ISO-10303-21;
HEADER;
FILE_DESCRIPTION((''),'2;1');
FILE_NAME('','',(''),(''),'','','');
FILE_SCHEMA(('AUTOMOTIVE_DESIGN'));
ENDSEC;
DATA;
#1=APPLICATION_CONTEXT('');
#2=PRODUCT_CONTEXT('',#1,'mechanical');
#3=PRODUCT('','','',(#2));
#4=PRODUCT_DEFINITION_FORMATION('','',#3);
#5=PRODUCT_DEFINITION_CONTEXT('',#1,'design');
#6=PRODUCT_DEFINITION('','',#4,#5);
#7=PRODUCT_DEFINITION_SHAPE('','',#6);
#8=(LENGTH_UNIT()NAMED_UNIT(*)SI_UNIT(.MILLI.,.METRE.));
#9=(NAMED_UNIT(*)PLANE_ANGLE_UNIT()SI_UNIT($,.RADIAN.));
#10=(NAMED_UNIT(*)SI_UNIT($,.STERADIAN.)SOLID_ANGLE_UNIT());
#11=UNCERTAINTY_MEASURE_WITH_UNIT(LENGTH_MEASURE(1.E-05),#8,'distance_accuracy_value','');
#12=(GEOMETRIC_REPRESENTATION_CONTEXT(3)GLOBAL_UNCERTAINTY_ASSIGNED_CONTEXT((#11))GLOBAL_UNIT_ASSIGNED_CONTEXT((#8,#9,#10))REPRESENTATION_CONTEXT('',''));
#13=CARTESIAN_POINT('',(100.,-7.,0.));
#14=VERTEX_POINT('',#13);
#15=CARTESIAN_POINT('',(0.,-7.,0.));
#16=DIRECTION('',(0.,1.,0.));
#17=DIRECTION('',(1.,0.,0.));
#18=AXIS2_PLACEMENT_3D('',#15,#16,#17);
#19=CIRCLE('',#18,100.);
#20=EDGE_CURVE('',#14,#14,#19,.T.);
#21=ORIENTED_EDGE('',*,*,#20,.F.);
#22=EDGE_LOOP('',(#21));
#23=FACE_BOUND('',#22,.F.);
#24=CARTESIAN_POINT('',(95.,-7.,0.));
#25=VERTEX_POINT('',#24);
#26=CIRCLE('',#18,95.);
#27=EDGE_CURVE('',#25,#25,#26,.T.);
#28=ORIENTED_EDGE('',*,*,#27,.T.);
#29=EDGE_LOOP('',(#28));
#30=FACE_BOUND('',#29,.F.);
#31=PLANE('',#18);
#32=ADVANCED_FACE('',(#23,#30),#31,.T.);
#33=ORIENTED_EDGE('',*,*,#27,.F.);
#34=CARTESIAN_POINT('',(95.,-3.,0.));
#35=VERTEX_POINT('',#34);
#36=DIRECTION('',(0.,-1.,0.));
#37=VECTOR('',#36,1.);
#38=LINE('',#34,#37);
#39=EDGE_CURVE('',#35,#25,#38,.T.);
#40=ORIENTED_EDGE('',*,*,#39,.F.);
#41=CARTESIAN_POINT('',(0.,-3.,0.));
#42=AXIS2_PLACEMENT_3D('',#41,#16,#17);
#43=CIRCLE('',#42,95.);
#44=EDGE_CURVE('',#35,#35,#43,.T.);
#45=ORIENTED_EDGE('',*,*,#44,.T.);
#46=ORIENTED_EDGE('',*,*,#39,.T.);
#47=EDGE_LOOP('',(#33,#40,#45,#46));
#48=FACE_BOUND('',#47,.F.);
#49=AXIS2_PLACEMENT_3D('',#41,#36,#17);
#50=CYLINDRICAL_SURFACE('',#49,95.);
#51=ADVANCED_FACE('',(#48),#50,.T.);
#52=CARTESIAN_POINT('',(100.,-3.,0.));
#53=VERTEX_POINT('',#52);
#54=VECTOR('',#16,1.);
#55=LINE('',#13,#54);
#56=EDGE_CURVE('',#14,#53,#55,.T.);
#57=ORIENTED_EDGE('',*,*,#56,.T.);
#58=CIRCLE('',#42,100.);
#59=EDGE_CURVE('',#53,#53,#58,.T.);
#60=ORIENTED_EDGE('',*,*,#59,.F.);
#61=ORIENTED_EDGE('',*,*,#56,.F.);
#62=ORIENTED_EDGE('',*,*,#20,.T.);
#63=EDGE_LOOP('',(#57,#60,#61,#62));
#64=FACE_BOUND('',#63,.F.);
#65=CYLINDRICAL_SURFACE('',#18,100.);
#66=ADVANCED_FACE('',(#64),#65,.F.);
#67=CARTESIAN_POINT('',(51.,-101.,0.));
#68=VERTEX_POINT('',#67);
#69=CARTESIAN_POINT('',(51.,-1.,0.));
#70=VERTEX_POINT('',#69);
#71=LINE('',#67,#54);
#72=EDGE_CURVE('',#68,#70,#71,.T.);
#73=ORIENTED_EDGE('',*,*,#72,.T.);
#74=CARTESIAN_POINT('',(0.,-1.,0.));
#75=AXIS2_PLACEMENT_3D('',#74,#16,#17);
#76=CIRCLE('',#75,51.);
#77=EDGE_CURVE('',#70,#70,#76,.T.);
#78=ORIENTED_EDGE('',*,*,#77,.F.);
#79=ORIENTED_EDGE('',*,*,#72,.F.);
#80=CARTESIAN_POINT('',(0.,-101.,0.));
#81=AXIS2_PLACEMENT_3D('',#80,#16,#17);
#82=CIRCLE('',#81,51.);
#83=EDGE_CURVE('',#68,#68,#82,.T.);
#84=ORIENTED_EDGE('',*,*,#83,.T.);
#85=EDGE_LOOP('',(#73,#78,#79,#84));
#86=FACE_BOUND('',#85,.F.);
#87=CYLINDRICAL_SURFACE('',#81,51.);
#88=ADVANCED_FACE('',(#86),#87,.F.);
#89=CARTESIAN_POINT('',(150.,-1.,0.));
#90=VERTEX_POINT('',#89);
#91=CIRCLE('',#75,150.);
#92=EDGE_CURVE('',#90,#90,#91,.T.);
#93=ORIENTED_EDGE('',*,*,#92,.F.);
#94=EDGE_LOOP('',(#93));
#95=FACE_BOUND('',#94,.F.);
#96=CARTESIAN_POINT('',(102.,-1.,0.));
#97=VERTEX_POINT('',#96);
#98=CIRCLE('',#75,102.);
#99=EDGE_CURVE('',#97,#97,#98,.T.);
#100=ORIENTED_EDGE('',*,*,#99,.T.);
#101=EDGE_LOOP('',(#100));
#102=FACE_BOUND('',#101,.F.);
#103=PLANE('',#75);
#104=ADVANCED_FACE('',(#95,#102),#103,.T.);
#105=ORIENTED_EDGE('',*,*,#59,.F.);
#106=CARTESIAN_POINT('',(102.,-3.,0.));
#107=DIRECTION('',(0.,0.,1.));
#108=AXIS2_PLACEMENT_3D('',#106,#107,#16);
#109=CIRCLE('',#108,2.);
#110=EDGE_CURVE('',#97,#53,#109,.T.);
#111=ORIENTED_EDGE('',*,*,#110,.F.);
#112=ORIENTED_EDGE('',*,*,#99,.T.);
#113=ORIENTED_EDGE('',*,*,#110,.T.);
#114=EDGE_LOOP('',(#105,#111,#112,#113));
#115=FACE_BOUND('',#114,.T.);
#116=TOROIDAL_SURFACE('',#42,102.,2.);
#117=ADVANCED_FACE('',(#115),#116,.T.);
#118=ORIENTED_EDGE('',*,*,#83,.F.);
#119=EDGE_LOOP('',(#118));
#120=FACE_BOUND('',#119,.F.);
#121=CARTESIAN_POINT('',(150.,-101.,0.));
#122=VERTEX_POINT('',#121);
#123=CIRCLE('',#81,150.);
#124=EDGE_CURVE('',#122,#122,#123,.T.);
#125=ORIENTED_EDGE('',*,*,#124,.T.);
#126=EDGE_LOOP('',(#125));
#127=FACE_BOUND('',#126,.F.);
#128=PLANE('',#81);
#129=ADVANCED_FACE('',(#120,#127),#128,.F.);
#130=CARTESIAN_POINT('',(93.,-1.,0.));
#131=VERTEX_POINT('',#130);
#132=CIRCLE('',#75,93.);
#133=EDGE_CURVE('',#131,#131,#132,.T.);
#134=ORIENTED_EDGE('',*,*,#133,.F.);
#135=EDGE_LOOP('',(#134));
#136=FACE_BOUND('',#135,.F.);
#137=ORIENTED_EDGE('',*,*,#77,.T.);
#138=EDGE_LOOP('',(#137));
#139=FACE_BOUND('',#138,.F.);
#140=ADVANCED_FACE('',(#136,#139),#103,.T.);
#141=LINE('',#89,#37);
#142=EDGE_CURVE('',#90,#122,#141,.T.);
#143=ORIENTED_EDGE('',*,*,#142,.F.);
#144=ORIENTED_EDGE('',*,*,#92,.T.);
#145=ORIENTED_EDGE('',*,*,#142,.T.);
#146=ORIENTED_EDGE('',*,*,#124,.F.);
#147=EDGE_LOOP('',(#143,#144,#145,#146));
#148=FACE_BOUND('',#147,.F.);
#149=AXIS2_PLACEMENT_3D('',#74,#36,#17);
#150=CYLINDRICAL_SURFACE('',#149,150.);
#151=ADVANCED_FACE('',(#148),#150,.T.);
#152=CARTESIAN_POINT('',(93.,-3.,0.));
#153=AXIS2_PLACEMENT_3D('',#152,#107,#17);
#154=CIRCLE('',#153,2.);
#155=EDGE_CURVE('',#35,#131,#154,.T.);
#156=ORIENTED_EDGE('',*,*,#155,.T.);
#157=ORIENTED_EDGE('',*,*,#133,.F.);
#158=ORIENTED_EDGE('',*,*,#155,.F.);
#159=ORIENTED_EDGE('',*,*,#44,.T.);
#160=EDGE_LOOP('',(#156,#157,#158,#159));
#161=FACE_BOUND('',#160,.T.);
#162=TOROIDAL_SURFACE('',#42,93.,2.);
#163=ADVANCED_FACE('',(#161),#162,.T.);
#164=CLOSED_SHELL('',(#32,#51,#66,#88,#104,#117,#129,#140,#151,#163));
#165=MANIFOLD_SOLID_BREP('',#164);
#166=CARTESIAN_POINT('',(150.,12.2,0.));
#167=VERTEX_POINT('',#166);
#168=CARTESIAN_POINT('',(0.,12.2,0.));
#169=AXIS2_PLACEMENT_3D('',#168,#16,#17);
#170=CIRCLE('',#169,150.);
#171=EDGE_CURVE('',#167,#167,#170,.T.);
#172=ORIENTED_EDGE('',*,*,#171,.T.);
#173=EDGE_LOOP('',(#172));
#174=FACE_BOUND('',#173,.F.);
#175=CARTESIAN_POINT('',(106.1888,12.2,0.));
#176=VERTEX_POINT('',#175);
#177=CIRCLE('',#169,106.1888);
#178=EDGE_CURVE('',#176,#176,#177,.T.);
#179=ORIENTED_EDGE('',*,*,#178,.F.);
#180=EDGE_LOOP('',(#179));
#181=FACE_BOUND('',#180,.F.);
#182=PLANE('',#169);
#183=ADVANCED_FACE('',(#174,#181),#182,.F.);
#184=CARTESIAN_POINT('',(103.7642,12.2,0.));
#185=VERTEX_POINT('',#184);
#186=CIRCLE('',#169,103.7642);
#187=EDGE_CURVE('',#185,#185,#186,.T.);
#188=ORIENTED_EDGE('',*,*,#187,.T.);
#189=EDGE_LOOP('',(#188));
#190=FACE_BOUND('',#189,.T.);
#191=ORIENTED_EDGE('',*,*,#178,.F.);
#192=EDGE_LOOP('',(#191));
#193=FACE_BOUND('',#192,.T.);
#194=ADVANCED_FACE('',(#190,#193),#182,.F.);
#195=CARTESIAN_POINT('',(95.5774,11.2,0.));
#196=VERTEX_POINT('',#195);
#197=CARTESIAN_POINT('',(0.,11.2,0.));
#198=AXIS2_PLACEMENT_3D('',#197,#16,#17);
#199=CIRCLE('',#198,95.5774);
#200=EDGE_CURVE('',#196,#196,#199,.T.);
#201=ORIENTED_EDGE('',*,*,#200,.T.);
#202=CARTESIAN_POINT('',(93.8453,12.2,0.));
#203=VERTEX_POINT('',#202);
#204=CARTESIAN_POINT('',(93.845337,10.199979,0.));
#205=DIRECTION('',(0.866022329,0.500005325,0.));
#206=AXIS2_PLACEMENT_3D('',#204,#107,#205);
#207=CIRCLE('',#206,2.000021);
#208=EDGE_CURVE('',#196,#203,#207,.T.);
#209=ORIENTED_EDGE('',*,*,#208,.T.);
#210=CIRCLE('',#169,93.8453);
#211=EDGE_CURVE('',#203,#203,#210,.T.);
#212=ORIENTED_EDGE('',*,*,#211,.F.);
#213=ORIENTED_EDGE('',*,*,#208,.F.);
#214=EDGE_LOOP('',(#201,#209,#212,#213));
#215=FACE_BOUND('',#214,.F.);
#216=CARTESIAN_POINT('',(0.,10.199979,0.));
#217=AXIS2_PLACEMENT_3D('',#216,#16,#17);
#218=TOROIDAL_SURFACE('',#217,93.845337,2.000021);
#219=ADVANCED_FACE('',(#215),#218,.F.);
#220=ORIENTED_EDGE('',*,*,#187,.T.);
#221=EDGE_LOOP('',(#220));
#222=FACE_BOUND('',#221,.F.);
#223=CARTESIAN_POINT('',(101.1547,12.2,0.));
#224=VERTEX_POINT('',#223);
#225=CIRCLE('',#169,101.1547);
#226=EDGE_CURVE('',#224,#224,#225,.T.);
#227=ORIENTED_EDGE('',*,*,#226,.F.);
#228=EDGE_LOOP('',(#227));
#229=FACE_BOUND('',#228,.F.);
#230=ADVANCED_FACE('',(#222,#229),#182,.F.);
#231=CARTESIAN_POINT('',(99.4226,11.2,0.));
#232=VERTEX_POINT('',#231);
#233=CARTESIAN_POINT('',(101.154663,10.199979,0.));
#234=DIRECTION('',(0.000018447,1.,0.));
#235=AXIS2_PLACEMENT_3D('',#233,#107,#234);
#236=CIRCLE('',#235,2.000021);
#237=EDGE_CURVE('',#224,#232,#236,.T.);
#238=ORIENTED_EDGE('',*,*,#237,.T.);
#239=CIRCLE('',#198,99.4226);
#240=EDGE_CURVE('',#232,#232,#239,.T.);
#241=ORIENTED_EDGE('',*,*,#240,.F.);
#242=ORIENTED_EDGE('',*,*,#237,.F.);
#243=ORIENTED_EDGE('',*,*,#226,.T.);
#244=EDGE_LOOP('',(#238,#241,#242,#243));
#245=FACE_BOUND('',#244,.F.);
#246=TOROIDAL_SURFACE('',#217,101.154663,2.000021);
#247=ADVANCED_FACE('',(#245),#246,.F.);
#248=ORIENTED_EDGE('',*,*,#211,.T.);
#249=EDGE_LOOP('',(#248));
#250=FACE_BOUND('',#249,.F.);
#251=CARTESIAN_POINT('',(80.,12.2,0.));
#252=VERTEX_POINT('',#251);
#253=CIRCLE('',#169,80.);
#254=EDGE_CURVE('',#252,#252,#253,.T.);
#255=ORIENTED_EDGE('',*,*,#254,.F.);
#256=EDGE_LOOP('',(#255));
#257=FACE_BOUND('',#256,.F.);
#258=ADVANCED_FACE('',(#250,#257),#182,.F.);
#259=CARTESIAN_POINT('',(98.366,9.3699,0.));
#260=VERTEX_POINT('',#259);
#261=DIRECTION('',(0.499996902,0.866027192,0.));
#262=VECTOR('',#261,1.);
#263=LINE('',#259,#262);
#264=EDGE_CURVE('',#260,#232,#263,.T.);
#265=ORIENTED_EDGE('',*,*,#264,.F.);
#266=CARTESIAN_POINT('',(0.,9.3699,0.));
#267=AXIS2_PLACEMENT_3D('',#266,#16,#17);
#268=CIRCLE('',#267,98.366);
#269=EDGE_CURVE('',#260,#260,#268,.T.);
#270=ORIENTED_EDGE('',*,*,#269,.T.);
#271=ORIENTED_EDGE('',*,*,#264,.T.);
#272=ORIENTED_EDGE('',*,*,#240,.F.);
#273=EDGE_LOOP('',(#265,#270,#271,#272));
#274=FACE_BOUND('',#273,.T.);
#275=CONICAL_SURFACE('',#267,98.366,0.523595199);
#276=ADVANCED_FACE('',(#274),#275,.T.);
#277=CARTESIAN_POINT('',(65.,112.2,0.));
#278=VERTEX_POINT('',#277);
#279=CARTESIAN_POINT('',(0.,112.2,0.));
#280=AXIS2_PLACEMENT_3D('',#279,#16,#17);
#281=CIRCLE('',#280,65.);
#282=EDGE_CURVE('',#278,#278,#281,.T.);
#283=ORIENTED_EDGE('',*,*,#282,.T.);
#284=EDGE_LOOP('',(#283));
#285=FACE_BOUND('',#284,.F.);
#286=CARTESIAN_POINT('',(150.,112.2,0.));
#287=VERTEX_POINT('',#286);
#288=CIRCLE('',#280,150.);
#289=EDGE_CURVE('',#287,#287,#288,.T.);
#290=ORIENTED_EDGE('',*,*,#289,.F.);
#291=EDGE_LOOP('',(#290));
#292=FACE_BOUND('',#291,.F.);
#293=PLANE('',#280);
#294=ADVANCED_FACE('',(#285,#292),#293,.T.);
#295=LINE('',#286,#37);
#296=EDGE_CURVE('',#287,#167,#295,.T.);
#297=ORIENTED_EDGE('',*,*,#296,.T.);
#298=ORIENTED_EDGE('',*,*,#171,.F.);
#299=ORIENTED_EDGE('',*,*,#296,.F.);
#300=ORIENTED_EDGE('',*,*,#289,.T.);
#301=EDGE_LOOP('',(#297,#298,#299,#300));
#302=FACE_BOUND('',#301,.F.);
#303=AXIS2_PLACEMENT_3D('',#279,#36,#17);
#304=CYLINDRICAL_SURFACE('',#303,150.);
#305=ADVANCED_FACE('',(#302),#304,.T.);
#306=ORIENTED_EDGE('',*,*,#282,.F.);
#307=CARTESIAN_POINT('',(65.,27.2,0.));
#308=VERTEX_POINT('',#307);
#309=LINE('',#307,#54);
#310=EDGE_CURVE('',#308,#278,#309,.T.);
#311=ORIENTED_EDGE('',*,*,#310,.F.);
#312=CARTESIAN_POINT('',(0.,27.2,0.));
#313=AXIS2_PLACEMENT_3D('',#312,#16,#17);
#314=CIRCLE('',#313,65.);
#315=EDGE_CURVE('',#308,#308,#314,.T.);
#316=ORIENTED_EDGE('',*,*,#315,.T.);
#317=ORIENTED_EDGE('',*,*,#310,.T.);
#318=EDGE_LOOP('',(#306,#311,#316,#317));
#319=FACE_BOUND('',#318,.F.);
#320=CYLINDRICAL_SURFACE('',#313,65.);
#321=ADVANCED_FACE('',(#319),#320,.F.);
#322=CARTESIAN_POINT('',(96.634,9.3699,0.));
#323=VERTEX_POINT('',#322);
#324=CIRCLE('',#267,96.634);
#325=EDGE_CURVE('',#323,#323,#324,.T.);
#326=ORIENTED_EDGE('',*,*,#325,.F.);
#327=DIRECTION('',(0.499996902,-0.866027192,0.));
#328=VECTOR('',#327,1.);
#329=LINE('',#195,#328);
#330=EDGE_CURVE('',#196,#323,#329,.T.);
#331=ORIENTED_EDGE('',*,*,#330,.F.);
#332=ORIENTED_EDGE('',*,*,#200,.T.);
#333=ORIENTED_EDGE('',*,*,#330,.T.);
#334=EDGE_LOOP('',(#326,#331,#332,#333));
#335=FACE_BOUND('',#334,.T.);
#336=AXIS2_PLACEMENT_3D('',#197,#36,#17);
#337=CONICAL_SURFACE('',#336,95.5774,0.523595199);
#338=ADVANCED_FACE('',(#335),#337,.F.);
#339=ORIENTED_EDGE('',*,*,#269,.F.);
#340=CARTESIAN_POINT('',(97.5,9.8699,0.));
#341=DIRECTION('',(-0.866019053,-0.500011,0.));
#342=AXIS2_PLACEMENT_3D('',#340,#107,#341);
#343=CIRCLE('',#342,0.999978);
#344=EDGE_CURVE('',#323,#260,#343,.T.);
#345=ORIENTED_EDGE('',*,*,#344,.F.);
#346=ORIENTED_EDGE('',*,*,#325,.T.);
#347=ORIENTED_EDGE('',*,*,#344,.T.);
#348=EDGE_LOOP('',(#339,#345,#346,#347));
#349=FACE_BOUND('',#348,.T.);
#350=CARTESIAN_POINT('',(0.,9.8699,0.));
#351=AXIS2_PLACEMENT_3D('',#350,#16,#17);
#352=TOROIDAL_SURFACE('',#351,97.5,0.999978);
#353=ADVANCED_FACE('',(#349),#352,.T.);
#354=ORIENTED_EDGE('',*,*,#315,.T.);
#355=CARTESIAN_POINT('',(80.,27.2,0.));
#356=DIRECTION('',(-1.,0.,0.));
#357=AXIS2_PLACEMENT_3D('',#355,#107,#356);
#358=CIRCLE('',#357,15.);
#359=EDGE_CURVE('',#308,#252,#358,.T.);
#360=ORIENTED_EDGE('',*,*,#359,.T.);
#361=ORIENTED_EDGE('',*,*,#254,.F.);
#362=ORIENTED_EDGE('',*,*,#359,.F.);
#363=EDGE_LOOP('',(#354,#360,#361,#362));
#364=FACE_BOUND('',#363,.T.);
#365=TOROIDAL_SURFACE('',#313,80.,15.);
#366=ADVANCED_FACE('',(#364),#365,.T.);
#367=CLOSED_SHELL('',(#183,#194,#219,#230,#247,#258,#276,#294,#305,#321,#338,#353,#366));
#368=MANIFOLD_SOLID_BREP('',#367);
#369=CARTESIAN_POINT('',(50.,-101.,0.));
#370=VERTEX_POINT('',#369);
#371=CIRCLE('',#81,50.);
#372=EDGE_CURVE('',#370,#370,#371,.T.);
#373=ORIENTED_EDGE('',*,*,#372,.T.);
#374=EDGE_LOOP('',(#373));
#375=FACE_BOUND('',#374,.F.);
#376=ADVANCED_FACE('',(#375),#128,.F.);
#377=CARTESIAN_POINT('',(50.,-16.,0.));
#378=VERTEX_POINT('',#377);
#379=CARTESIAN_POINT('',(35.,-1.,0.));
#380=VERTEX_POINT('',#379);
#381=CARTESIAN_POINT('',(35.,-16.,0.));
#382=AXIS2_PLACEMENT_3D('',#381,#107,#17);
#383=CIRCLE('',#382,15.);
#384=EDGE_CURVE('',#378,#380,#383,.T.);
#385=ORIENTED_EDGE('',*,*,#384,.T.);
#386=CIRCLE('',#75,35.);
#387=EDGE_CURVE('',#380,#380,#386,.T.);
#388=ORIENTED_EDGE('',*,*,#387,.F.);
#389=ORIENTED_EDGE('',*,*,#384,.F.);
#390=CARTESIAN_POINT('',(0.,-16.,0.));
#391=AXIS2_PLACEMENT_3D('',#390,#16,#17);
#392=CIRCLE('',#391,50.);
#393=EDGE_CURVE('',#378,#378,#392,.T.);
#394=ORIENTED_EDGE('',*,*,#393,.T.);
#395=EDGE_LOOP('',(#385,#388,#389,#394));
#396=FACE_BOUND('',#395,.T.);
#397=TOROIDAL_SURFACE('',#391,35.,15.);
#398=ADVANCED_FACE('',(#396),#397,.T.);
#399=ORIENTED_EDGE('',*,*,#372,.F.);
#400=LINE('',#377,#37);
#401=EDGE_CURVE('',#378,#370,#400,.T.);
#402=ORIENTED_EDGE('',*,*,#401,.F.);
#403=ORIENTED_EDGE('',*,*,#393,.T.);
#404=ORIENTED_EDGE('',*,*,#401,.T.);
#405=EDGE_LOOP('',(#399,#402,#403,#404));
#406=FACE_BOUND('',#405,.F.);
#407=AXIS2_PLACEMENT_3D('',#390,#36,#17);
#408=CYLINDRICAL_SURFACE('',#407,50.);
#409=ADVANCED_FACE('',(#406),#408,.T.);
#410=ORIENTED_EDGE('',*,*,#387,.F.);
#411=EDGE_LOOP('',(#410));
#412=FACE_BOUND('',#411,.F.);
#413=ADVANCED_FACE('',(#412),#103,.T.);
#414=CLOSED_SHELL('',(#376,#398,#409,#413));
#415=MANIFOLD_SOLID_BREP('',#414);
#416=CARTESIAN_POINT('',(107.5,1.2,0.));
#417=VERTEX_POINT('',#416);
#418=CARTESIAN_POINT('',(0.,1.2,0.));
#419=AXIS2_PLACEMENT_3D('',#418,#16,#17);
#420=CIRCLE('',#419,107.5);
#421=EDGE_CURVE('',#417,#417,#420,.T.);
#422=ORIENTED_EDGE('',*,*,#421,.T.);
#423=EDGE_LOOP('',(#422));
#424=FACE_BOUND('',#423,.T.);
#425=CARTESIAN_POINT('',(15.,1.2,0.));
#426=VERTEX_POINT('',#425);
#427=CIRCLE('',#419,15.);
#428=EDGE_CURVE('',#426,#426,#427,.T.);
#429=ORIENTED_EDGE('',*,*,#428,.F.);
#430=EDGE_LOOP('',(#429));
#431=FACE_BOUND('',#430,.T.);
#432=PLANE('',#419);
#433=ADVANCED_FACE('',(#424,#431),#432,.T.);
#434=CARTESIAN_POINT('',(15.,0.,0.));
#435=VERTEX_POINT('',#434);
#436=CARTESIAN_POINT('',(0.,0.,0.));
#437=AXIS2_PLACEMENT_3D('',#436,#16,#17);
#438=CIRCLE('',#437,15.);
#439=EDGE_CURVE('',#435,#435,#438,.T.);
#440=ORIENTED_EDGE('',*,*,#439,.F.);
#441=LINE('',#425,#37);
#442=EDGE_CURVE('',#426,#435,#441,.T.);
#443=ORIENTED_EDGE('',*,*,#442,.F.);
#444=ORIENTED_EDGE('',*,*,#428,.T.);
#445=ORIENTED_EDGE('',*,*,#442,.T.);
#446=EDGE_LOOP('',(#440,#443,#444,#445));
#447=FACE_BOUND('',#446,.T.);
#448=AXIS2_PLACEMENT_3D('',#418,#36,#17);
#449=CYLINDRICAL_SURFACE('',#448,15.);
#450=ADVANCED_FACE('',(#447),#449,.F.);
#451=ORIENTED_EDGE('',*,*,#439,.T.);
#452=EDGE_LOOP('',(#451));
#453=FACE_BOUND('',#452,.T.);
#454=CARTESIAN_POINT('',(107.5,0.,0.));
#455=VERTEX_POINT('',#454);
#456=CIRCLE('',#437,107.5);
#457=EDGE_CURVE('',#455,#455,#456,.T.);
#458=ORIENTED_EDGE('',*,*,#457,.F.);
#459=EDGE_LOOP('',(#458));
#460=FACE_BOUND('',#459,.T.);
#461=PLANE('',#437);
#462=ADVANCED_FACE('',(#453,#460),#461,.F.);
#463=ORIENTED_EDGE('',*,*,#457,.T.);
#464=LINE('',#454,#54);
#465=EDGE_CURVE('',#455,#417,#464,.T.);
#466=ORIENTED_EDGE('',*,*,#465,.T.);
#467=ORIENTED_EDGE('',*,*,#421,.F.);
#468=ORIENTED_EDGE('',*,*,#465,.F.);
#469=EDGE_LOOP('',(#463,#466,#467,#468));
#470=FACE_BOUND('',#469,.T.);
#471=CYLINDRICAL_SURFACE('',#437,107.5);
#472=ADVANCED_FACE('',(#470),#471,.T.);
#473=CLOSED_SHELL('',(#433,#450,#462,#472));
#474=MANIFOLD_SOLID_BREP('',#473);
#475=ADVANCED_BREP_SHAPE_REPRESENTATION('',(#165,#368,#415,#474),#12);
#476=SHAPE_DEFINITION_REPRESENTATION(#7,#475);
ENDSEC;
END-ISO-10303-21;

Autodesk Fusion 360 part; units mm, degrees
sketch "Sketch1" plane through (0, 0, 0) normal (0, 0, 1) x (1, 0, 0) in component "Blank"
  line L0 (15, 0) -> (107.5, 0)
  line L1 (107.5, 0) -> (107.5, 1.2)
  line L2 (107.5, 1.2) -> (15, 1.2)
  line L3 (15, 1.2) -> (15, 0)
  line L4 (0, 0) -> (15, 0) construction
  dimension "d1" = 15
  dimension "d2" = 1.2
  dimension "d3" = 107.5
sketch "Sketch1 (2)" plane through (0, 0, 0) normal (0, 0, 1) x (1, 0, 0) in component "Punch"
  line L0 (0, -1) -> (35, -1)
  arc A0 (50, -16) -> (35, -1) centre (35, -16) ccw
  line L1 (50, -16) -> (50, -101)
  line L2 (50, -101) -> (0, -101)
  line L3 (0, -101) -> (0, -1)
  line L4 (0, 0) -> (0, -1) construction
  dimension "d4" = 1
  dimension "d5" = 15
  dimension "d6" = 50
  dimension "d7" = 100
revolve "Revolve1" add sketch "Sketch1" angle 360 about axis through (0, 1.75, 0) along (0, 1, 0) makes body 1 in component "Blank"
revolve "Revolve1'" add sketch "Sketch1 (2)" angle 360 about axis through (0, 1.75, 0) along (0, 1, 0) separate body makes body 2 in component "Punch"
sketch "Sketch1 (3)" plane through (0, 0, 0) normal (0, 0, 1) x (1, 0, 0) in component "Lower Die"
  line L0 (150, -101) -> (51, -101)
  line L1 (51, -101) -> (51, -1)
  line L2 (150, -1) -> (150, -101)
  line L3 (0, 0) -> (145.9658, 0) construction
  line L4 (95, -3) -> (95, -7)
  line L5 (95, -7) -> (100, -7)
  line L6 (100, -7) -> (100, -3)
  line L7 (51, -1) -> (93, -1)
  line L8 (102, -1) -> (150, -1)
  arc A0 (95, -3) -> (93, -1) centre (93, -3) ccw
  arc A1 (102, -1) -> (100, -3) centre (102, -3) ccw
  line L9 (0, 0) -> (0, -124.5009) construction
  dimension "d10" = 1
  dimension "d11" = 100
  dimension "d12" = 5
  dimension "d13" = 6
  dimension "d14" = 2
  dimension "d15" = 95
  dimension "d16" = 51
  dimension "d17" = 150
revolve "Revolve1''" add sketch "Sketch1 (3)" angle 360 about axis through (0, 1.75, 0) along (0, 1, 0) separate body makes body 3 in component "Lower Die"
sketch "Sketch1 (4)" plane through (0, 0, 0) normal (0, 0, 1) x (1, 0, 0) in component "Upper Die"
  line L0 (130, 0) -> (0, 0) construction
  line L1 (0, 0) -> (0, 125) construction
  line L2 (65, 27.2) -> (65, 112.2)
  line L3 (65, 112.2) -> (150, 112.2)
  line L4 (150, 112.2) -> (150, 12.2)
  arc A0 (65, 27.2) -> (80, 12.2) centre (80, 27.2) ccw
  line L5 (103.7642, 12.2) -> (106.1888, 12.2)
  line L6 (95.5774, 11.2) -> (96.634, 9.3699)
  line L7 (98.366, 9.3699) -> (99.4226, 11.2)
  line L8 (150, 12.2) -> (101.1547, 12.2)
  line L9 (93.8453, 12.2) -> (80, 12.2)
  arc A1 (95.5774, 11.2) -> (93.8453, 12.2) centre (93.8453, 10.2) ccw
  arc A2 (101.1547, 12.2) -> (99.4226, 11.2) centre (101.1547, 10.2) ccw
  arc A3 (96.634, 9.3699) -> (98.366, 9.3699) centre (97.5, 9.8699) ccw
  line L10 (101.1547, 12.2) -> (93.8453, 12.2) construction
  line L11 (95.5774, 11.2) -> (95, 12.2) construction
  line L12 (99.4226, 11.2) -> (100, 12.2) construction
  point P0 (100, 12.2)
  point P1 (95, 12.2)
  dimension "d19" = 12.2
  dimension "d20" = 15
  dimension "d21" = 100
  dimension "d22" = 65
  dimension "d23" = 60
  dimension "d24" = 120
  dimension "d25" = 2
  dimension "d27" = 1
  dimension "d28" = 95
  dimension "d29" = 100
  dimension "d30" = 150
revolve "Revolve1'''" add sketch "Sketch1 (4)" angle 360 about axis through (0, 0, 0) along (0, 1, 0) separate body makes body 4 in component "Upper Die"
component "Blank" placed x (1, 0, 0) y (0, 1, 0) z (0, 0, 1) at (0, 0, 0)
component "Punch" placed x (1, 0, 0) y (0, 1, 0) z (0, 0, 1) at (0, 0, 0)
component "Lower Die" placed x (1, 0, 0) y (0, 1, 0) z (0, 0, 1) at (0, 0, 0)
component "Upper Die" placed x (1, 0, 0) y (0, 1, 0) z (0, 0, 1) at (0, 0, 0)
